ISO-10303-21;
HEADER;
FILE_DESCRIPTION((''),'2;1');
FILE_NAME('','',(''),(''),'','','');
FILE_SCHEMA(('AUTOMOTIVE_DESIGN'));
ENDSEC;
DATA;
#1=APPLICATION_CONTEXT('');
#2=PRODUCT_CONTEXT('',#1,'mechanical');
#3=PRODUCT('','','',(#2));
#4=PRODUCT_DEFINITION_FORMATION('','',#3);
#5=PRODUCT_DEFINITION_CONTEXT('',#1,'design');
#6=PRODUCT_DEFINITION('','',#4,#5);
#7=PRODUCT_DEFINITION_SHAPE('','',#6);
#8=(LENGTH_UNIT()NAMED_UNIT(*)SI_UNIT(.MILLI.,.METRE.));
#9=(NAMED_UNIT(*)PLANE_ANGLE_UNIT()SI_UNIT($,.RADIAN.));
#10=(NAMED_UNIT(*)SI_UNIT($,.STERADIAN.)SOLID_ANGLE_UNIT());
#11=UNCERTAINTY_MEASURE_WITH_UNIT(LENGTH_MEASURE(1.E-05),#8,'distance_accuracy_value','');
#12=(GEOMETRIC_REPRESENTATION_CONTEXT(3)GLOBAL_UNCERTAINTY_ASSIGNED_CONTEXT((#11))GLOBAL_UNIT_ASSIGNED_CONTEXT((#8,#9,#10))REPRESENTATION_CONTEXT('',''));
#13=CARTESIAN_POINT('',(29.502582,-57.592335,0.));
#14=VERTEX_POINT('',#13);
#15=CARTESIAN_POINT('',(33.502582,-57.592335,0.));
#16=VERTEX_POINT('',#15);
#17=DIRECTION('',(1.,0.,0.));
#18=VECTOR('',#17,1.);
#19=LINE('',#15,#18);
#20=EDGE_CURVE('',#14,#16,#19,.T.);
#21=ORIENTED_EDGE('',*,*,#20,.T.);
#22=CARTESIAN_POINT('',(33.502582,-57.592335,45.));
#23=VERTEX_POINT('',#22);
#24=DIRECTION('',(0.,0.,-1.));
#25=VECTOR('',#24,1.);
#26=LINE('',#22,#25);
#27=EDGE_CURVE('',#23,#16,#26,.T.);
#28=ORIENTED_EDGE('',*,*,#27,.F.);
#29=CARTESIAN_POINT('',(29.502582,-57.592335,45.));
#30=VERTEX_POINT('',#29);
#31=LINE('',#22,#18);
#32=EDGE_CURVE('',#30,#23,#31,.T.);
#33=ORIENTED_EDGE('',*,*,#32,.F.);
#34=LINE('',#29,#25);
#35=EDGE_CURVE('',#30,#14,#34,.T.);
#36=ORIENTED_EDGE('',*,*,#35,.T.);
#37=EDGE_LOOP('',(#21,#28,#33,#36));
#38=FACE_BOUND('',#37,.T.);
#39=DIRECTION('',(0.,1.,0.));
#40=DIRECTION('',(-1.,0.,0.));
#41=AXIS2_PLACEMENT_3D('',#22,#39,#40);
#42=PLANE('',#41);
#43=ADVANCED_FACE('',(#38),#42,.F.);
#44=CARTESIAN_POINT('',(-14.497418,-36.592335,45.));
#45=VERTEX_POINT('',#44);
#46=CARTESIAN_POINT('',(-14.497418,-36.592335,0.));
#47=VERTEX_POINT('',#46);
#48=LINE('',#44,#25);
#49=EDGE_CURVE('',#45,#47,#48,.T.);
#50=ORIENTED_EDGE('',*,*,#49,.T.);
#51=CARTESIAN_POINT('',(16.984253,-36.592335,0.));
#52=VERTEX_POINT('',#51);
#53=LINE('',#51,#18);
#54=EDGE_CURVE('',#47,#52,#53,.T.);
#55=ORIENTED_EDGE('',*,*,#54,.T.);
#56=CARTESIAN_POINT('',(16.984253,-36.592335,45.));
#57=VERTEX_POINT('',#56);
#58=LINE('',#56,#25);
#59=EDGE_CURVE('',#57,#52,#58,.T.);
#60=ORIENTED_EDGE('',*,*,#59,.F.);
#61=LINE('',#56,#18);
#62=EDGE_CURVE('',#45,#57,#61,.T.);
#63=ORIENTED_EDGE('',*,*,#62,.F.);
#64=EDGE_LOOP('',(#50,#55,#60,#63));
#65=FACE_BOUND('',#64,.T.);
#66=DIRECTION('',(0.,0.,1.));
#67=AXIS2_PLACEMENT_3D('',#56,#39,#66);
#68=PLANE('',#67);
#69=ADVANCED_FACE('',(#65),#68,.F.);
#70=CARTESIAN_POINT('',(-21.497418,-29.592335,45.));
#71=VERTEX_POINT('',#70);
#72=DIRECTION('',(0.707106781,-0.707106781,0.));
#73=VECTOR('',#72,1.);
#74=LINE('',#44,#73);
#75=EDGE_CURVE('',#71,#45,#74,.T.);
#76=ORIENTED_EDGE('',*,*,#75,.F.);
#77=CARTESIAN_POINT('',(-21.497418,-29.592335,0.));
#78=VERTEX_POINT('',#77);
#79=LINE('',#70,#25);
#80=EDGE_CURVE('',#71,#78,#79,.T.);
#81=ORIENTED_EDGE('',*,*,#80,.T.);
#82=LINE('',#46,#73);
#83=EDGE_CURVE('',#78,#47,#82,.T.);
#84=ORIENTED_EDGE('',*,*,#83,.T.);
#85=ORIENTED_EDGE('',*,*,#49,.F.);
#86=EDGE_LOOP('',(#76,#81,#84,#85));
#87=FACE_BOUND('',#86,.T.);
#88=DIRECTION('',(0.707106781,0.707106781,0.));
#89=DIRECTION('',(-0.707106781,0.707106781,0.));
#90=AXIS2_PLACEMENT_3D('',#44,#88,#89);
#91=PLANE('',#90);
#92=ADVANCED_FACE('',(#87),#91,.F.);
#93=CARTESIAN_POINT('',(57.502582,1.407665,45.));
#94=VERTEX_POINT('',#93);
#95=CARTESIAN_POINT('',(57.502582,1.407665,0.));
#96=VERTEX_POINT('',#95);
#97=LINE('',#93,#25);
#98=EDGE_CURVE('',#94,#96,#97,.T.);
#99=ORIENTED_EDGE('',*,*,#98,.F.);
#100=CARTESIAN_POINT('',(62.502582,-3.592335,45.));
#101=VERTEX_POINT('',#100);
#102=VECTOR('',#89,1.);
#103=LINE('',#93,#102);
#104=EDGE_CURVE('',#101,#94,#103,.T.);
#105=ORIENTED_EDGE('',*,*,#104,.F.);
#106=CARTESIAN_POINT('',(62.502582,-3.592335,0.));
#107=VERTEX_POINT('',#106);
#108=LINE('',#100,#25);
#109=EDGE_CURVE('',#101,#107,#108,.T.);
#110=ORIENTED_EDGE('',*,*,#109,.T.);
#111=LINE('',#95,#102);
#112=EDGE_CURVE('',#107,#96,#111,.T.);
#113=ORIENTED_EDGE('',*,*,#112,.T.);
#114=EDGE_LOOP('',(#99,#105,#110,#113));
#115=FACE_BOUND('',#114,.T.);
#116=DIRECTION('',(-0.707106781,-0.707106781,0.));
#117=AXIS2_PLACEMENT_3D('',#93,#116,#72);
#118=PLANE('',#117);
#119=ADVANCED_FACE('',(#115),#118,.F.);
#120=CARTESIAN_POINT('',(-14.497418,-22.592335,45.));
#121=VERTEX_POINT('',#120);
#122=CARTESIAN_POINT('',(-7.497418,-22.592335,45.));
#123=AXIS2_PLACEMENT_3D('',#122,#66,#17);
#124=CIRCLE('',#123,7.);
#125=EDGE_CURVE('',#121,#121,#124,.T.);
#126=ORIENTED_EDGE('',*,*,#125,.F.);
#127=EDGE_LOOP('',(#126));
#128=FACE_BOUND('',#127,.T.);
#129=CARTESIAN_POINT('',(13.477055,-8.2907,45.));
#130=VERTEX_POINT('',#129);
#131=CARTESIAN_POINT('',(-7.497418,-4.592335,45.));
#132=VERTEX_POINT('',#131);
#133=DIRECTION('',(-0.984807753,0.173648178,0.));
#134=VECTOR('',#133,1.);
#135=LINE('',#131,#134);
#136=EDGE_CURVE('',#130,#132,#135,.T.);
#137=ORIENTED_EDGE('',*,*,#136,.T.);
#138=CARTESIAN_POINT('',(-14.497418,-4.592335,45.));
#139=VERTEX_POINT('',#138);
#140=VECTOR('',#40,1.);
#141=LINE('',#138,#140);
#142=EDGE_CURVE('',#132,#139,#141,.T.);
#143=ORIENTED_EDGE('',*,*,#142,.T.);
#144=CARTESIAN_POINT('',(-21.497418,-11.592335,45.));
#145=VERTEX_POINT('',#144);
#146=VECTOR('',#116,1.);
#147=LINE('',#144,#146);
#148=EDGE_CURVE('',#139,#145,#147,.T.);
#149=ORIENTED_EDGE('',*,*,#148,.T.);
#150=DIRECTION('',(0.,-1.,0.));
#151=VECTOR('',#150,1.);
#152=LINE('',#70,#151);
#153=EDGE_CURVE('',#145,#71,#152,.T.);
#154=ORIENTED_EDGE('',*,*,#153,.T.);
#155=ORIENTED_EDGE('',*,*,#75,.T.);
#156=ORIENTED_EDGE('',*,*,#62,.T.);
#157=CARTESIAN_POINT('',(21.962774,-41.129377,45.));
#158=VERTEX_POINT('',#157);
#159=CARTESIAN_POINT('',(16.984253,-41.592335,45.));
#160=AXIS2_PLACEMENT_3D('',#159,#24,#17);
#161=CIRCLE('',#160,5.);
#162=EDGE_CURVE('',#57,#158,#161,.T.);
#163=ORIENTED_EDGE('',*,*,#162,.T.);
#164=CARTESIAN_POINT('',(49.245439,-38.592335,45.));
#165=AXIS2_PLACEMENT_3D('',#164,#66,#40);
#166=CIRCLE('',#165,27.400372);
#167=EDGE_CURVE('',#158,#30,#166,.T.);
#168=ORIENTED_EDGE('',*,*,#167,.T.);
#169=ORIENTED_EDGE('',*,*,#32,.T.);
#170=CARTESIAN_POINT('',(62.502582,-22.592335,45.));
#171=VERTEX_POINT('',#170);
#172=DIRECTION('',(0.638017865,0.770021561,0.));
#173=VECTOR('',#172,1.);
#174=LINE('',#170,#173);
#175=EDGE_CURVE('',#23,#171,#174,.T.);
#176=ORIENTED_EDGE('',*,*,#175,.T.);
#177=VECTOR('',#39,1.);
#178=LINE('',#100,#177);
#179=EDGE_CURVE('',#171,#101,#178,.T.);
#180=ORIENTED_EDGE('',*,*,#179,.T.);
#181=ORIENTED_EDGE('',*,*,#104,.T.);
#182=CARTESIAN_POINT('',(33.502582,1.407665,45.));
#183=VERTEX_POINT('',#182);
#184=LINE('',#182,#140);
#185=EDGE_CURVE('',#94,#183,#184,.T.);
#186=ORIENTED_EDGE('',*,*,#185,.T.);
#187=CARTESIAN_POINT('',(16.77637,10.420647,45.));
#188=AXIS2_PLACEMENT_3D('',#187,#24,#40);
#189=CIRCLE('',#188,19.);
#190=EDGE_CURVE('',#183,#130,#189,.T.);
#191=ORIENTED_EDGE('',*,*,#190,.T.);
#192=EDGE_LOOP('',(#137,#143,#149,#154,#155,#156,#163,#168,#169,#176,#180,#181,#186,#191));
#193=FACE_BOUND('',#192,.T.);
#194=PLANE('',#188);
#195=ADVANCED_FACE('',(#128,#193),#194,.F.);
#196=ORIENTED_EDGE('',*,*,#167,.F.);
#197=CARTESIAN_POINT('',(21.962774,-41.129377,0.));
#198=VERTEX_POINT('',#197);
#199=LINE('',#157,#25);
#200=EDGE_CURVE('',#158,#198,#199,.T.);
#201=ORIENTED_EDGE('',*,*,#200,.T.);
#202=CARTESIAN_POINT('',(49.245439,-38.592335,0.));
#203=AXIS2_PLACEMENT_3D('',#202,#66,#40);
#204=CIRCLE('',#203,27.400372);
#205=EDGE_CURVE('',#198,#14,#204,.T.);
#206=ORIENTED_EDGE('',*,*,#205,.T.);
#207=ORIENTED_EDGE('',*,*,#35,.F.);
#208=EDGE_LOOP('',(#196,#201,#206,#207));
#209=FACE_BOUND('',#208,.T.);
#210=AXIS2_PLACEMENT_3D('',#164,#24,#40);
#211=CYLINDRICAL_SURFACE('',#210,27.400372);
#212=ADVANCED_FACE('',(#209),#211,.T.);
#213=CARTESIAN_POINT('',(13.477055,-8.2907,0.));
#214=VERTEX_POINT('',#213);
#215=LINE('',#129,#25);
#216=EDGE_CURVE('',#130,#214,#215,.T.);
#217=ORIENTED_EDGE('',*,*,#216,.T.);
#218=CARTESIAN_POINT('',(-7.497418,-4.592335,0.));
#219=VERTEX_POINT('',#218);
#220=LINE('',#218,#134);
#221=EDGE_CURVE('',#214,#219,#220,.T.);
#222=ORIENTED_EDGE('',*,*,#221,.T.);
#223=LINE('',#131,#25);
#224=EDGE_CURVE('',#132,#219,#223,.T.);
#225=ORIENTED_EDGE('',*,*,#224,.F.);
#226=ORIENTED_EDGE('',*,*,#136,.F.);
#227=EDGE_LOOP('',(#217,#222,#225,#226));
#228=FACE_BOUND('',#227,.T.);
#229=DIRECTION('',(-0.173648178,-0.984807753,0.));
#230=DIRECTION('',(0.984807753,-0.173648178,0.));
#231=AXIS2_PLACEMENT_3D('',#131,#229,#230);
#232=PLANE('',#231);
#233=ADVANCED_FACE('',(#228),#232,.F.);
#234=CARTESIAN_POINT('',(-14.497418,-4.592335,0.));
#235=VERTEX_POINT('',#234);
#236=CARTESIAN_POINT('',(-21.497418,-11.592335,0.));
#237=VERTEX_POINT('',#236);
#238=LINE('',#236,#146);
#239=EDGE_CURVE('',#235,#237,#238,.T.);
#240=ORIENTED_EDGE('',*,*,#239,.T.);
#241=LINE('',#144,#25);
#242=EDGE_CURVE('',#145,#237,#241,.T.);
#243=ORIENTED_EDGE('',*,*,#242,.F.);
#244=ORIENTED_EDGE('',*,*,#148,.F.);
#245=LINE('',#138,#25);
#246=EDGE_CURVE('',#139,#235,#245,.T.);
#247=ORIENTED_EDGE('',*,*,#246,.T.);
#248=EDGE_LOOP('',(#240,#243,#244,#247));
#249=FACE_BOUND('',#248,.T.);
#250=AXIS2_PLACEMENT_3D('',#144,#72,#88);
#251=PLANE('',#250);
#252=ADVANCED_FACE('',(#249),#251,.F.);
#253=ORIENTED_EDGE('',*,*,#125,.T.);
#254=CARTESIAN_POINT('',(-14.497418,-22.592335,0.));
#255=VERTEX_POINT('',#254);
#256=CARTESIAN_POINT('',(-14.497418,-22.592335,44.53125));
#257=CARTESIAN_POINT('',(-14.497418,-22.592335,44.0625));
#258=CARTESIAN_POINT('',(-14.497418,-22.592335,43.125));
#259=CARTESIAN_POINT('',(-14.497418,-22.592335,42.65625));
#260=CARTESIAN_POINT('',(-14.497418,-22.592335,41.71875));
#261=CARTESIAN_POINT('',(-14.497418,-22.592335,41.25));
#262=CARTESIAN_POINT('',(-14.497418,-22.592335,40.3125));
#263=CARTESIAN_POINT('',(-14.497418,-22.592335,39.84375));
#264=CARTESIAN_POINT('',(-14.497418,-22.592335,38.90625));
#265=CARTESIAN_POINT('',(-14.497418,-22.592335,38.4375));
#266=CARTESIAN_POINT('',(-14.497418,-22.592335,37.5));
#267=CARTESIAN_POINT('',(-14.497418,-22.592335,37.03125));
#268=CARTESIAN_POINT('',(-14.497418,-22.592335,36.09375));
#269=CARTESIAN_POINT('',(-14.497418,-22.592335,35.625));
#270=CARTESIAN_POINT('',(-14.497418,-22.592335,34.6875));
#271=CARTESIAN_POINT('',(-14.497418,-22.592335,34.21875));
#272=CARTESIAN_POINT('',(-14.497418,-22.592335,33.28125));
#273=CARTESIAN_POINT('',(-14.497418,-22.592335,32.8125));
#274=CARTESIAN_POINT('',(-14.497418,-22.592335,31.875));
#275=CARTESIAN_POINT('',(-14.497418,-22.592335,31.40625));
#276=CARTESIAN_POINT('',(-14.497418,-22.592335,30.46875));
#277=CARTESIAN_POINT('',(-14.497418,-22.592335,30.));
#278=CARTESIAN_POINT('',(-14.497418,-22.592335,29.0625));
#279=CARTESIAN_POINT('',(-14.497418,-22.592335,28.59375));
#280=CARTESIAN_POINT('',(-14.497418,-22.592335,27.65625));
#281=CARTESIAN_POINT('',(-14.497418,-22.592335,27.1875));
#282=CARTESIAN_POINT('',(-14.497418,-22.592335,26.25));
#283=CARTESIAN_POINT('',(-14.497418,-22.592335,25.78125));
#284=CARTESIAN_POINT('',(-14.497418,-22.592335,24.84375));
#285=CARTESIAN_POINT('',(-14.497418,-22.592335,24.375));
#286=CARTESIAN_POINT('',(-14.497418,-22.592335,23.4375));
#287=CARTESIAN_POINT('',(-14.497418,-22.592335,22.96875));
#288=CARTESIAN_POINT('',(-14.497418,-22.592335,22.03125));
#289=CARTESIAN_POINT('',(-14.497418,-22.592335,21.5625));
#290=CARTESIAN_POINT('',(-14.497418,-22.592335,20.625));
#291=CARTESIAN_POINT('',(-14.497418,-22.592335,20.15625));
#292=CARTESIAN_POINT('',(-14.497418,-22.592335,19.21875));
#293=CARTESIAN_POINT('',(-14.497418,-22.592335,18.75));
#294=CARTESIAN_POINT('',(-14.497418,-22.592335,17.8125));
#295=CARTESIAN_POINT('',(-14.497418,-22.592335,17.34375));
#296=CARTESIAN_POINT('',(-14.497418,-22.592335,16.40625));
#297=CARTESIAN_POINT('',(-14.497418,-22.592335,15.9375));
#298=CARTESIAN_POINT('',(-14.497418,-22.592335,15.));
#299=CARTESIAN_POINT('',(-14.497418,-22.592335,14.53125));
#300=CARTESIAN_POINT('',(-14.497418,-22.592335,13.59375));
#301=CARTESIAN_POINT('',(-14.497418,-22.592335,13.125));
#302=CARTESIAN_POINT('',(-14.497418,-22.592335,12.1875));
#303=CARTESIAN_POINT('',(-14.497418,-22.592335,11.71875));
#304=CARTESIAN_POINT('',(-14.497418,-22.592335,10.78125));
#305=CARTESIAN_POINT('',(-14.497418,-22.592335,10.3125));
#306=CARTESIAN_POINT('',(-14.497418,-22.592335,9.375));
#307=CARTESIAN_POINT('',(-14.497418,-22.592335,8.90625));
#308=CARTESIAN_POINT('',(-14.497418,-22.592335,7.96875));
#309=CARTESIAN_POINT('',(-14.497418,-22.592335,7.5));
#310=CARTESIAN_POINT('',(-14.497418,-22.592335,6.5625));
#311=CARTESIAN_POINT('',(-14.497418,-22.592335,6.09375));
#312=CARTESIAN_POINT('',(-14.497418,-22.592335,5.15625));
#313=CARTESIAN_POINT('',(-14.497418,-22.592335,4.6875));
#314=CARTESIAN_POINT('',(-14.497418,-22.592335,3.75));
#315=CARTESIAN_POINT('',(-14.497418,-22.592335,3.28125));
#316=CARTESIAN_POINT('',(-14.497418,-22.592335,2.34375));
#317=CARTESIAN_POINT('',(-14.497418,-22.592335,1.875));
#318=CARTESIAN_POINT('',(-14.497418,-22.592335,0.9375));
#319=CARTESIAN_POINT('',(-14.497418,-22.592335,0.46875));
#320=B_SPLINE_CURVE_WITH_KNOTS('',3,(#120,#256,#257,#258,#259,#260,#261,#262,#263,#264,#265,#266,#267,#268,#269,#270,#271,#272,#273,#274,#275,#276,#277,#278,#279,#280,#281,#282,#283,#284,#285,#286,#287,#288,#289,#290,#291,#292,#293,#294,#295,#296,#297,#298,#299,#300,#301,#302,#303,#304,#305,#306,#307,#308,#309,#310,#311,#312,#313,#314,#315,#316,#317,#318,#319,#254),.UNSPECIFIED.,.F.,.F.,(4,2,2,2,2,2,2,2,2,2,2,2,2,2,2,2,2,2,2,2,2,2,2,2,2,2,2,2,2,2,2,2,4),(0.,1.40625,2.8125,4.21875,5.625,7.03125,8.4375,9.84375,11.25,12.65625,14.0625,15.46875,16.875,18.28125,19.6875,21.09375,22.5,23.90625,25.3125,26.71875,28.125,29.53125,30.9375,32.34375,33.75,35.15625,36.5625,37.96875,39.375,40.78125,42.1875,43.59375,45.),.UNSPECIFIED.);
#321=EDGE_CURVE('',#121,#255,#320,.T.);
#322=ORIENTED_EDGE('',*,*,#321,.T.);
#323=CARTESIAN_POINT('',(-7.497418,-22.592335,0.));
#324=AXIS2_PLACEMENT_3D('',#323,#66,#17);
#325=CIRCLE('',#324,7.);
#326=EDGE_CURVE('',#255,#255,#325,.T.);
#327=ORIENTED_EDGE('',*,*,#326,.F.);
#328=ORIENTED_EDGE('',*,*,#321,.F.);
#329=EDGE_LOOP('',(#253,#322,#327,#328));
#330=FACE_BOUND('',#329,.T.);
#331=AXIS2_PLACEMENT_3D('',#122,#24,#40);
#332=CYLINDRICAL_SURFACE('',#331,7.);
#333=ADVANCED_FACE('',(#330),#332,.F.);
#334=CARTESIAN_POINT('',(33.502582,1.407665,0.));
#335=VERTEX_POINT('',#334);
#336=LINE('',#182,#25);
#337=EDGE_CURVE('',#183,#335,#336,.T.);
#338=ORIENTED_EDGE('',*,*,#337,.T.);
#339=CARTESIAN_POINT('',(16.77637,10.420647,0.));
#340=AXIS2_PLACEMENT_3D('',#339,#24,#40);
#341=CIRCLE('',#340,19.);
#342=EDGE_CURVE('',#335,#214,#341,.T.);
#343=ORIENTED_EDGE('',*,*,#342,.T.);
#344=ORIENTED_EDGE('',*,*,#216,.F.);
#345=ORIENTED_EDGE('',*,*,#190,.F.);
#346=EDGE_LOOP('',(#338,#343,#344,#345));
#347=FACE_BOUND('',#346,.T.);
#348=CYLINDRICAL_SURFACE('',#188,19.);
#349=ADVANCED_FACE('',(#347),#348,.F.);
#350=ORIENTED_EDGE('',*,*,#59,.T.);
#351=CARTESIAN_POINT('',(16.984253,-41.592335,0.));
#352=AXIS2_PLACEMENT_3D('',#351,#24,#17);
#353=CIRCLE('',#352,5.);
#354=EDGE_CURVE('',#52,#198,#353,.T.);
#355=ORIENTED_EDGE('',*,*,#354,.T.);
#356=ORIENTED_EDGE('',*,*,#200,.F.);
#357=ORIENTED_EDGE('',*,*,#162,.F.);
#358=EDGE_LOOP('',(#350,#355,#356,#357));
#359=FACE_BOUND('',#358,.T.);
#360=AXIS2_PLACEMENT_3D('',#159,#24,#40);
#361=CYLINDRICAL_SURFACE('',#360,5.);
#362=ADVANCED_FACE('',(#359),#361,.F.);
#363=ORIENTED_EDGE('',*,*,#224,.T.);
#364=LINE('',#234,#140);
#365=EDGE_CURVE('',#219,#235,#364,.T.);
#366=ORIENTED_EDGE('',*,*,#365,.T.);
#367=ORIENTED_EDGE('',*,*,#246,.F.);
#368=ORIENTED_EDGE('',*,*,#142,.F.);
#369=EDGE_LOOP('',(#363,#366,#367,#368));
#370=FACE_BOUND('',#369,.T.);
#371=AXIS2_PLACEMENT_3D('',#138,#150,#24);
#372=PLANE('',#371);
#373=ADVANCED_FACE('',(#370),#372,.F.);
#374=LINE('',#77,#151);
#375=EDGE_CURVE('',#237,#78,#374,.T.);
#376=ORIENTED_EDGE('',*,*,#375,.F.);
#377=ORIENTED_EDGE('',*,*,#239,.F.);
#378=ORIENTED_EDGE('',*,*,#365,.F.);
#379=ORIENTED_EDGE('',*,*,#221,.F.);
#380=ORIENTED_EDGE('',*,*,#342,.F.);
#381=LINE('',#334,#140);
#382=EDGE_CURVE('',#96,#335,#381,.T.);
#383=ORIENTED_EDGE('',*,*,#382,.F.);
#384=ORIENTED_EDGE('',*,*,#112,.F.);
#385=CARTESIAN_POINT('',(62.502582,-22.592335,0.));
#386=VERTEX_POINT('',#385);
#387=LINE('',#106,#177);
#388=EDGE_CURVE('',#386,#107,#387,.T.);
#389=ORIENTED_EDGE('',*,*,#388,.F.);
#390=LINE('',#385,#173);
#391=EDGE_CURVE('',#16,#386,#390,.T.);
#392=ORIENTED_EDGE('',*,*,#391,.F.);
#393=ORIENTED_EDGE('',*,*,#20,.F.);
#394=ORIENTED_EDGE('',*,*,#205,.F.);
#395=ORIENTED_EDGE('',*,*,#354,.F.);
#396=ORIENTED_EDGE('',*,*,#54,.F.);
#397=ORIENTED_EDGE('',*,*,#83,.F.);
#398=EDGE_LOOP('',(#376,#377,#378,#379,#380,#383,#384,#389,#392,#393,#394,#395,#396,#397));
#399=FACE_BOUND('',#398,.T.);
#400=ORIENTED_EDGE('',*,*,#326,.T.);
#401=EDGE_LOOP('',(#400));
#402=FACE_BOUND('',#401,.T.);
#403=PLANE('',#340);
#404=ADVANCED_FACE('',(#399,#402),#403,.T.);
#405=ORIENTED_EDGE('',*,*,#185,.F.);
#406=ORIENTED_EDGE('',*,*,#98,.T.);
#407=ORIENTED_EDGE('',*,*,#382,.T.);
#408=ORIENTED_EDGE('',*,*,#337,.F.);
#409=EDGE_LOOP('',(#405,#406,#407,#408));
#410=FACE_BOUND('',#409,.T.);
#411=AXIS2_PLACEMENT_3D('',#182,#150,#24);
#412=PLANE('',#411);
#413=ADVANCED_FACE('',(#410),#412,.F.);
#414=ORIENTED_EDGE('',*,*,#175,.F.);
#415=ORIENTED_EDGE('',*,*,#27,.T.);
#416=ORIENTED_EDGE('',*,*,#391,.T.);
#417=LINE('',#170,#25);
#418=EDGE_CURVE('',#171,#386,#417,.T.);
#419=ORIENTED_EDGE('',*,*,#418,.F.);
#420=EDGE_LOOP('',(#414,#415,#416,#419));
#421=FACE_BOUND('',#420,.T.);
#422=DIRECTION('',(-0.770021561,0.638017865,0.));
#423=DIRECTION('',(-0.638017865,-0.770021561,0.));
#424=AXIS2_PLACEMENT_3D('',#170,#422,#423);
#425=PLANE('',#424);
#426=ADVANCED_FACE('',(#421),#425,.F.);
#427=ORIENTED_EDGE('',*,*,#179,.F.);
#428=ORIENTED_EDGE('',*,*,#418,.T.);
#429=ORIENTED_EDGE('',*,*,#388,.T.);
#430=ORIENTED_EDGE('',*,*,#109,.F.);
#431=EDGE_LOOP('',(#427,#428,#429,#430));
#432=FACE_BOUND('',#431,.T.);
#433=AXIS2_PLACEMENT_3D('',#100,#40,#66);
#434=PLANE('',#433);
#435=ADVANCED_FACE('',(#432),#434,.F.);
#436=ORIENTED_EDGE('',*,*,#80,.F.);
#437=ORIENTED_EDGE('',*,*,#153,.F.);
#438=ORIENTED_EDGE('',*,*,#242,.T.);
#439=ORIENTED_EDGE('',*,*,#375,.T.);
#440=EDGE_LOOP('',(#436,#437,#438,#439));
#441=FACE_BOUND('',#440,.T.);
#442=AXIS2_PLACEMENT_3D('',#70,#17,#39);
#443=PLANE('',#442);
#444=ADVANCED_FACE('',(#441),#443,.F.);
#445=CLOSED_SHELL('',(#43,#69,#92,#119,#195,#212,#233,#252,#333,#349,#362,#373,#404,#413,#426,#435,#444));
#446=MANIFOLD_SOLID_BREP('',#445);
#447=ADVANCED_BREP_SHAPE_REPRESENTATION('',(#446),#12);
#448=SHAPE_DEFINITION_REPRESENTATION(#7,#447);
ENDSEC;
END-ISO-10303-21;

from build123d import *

# Parameters (mm, degrees)
ESQUISSE1_R        = 7
BOSS_EXTRU_2_DEPTH = 45


with BuildPart() as part:
    # Esquisse1 → Boss.-Extru.2 (new body)
    with BuildSketch(Plane.XY):
        with BuildLine():
            Line((33.502581987, 1.407665382), (57.502581987, 1.407665382))
            Line((57.502581987, 1.407665382), (62.502581987, -3.592334618))
            Line((62.502581987, -3.592334618), (62.502581987, -22.592334618))
            Line((62.502581987, -22.592334618), (33.502581987, -57.592334618))
            Line((33.502581987, -57.592334618), (29.502581987, -57.592334618))
            ThreePointArc((29.502581987, -57.592334618), (24.333450387, -50.001682761), (21.96277386, -41.129376977))
            ThreePointArc((21.96277386, -41.129376977), (20.352131518, -37.896743447), (16.984252973, -36.592334618))
            Line((16.984252973, -36.592334618), (-14.497418013, -36.592334618))
            Line((-14.497418013, -36.592334618), (-21.497418013, -29.592334618))
            Line((-21.497418013, -29.592334618), (-21.497418013, -11.592334618))
            Line((-21.497418013, -11.592334618), (-14.497418013, -4.592334618))
            Line((-14.497418013, -4.592334618), (-7.497418013, -4.592334618))
            Line((-7.497418013, -4.592334618), (13.477054889, -8.290700097))
            ThreePointArc((13.477054889, -8.290700097), (25.057973951, -6.679500169), (33.502581987, 1.407665382))
        make_face()
        with Locations(Location((-7.497418013, -22.592334618, 0), (0, 0, 180))):
            Circle(ESQUISSE1_R, mode=Mode.SUBTRACT)
    extrude(amount=BOSS_EXTRU_2_DEPTH)


solid = part.part
